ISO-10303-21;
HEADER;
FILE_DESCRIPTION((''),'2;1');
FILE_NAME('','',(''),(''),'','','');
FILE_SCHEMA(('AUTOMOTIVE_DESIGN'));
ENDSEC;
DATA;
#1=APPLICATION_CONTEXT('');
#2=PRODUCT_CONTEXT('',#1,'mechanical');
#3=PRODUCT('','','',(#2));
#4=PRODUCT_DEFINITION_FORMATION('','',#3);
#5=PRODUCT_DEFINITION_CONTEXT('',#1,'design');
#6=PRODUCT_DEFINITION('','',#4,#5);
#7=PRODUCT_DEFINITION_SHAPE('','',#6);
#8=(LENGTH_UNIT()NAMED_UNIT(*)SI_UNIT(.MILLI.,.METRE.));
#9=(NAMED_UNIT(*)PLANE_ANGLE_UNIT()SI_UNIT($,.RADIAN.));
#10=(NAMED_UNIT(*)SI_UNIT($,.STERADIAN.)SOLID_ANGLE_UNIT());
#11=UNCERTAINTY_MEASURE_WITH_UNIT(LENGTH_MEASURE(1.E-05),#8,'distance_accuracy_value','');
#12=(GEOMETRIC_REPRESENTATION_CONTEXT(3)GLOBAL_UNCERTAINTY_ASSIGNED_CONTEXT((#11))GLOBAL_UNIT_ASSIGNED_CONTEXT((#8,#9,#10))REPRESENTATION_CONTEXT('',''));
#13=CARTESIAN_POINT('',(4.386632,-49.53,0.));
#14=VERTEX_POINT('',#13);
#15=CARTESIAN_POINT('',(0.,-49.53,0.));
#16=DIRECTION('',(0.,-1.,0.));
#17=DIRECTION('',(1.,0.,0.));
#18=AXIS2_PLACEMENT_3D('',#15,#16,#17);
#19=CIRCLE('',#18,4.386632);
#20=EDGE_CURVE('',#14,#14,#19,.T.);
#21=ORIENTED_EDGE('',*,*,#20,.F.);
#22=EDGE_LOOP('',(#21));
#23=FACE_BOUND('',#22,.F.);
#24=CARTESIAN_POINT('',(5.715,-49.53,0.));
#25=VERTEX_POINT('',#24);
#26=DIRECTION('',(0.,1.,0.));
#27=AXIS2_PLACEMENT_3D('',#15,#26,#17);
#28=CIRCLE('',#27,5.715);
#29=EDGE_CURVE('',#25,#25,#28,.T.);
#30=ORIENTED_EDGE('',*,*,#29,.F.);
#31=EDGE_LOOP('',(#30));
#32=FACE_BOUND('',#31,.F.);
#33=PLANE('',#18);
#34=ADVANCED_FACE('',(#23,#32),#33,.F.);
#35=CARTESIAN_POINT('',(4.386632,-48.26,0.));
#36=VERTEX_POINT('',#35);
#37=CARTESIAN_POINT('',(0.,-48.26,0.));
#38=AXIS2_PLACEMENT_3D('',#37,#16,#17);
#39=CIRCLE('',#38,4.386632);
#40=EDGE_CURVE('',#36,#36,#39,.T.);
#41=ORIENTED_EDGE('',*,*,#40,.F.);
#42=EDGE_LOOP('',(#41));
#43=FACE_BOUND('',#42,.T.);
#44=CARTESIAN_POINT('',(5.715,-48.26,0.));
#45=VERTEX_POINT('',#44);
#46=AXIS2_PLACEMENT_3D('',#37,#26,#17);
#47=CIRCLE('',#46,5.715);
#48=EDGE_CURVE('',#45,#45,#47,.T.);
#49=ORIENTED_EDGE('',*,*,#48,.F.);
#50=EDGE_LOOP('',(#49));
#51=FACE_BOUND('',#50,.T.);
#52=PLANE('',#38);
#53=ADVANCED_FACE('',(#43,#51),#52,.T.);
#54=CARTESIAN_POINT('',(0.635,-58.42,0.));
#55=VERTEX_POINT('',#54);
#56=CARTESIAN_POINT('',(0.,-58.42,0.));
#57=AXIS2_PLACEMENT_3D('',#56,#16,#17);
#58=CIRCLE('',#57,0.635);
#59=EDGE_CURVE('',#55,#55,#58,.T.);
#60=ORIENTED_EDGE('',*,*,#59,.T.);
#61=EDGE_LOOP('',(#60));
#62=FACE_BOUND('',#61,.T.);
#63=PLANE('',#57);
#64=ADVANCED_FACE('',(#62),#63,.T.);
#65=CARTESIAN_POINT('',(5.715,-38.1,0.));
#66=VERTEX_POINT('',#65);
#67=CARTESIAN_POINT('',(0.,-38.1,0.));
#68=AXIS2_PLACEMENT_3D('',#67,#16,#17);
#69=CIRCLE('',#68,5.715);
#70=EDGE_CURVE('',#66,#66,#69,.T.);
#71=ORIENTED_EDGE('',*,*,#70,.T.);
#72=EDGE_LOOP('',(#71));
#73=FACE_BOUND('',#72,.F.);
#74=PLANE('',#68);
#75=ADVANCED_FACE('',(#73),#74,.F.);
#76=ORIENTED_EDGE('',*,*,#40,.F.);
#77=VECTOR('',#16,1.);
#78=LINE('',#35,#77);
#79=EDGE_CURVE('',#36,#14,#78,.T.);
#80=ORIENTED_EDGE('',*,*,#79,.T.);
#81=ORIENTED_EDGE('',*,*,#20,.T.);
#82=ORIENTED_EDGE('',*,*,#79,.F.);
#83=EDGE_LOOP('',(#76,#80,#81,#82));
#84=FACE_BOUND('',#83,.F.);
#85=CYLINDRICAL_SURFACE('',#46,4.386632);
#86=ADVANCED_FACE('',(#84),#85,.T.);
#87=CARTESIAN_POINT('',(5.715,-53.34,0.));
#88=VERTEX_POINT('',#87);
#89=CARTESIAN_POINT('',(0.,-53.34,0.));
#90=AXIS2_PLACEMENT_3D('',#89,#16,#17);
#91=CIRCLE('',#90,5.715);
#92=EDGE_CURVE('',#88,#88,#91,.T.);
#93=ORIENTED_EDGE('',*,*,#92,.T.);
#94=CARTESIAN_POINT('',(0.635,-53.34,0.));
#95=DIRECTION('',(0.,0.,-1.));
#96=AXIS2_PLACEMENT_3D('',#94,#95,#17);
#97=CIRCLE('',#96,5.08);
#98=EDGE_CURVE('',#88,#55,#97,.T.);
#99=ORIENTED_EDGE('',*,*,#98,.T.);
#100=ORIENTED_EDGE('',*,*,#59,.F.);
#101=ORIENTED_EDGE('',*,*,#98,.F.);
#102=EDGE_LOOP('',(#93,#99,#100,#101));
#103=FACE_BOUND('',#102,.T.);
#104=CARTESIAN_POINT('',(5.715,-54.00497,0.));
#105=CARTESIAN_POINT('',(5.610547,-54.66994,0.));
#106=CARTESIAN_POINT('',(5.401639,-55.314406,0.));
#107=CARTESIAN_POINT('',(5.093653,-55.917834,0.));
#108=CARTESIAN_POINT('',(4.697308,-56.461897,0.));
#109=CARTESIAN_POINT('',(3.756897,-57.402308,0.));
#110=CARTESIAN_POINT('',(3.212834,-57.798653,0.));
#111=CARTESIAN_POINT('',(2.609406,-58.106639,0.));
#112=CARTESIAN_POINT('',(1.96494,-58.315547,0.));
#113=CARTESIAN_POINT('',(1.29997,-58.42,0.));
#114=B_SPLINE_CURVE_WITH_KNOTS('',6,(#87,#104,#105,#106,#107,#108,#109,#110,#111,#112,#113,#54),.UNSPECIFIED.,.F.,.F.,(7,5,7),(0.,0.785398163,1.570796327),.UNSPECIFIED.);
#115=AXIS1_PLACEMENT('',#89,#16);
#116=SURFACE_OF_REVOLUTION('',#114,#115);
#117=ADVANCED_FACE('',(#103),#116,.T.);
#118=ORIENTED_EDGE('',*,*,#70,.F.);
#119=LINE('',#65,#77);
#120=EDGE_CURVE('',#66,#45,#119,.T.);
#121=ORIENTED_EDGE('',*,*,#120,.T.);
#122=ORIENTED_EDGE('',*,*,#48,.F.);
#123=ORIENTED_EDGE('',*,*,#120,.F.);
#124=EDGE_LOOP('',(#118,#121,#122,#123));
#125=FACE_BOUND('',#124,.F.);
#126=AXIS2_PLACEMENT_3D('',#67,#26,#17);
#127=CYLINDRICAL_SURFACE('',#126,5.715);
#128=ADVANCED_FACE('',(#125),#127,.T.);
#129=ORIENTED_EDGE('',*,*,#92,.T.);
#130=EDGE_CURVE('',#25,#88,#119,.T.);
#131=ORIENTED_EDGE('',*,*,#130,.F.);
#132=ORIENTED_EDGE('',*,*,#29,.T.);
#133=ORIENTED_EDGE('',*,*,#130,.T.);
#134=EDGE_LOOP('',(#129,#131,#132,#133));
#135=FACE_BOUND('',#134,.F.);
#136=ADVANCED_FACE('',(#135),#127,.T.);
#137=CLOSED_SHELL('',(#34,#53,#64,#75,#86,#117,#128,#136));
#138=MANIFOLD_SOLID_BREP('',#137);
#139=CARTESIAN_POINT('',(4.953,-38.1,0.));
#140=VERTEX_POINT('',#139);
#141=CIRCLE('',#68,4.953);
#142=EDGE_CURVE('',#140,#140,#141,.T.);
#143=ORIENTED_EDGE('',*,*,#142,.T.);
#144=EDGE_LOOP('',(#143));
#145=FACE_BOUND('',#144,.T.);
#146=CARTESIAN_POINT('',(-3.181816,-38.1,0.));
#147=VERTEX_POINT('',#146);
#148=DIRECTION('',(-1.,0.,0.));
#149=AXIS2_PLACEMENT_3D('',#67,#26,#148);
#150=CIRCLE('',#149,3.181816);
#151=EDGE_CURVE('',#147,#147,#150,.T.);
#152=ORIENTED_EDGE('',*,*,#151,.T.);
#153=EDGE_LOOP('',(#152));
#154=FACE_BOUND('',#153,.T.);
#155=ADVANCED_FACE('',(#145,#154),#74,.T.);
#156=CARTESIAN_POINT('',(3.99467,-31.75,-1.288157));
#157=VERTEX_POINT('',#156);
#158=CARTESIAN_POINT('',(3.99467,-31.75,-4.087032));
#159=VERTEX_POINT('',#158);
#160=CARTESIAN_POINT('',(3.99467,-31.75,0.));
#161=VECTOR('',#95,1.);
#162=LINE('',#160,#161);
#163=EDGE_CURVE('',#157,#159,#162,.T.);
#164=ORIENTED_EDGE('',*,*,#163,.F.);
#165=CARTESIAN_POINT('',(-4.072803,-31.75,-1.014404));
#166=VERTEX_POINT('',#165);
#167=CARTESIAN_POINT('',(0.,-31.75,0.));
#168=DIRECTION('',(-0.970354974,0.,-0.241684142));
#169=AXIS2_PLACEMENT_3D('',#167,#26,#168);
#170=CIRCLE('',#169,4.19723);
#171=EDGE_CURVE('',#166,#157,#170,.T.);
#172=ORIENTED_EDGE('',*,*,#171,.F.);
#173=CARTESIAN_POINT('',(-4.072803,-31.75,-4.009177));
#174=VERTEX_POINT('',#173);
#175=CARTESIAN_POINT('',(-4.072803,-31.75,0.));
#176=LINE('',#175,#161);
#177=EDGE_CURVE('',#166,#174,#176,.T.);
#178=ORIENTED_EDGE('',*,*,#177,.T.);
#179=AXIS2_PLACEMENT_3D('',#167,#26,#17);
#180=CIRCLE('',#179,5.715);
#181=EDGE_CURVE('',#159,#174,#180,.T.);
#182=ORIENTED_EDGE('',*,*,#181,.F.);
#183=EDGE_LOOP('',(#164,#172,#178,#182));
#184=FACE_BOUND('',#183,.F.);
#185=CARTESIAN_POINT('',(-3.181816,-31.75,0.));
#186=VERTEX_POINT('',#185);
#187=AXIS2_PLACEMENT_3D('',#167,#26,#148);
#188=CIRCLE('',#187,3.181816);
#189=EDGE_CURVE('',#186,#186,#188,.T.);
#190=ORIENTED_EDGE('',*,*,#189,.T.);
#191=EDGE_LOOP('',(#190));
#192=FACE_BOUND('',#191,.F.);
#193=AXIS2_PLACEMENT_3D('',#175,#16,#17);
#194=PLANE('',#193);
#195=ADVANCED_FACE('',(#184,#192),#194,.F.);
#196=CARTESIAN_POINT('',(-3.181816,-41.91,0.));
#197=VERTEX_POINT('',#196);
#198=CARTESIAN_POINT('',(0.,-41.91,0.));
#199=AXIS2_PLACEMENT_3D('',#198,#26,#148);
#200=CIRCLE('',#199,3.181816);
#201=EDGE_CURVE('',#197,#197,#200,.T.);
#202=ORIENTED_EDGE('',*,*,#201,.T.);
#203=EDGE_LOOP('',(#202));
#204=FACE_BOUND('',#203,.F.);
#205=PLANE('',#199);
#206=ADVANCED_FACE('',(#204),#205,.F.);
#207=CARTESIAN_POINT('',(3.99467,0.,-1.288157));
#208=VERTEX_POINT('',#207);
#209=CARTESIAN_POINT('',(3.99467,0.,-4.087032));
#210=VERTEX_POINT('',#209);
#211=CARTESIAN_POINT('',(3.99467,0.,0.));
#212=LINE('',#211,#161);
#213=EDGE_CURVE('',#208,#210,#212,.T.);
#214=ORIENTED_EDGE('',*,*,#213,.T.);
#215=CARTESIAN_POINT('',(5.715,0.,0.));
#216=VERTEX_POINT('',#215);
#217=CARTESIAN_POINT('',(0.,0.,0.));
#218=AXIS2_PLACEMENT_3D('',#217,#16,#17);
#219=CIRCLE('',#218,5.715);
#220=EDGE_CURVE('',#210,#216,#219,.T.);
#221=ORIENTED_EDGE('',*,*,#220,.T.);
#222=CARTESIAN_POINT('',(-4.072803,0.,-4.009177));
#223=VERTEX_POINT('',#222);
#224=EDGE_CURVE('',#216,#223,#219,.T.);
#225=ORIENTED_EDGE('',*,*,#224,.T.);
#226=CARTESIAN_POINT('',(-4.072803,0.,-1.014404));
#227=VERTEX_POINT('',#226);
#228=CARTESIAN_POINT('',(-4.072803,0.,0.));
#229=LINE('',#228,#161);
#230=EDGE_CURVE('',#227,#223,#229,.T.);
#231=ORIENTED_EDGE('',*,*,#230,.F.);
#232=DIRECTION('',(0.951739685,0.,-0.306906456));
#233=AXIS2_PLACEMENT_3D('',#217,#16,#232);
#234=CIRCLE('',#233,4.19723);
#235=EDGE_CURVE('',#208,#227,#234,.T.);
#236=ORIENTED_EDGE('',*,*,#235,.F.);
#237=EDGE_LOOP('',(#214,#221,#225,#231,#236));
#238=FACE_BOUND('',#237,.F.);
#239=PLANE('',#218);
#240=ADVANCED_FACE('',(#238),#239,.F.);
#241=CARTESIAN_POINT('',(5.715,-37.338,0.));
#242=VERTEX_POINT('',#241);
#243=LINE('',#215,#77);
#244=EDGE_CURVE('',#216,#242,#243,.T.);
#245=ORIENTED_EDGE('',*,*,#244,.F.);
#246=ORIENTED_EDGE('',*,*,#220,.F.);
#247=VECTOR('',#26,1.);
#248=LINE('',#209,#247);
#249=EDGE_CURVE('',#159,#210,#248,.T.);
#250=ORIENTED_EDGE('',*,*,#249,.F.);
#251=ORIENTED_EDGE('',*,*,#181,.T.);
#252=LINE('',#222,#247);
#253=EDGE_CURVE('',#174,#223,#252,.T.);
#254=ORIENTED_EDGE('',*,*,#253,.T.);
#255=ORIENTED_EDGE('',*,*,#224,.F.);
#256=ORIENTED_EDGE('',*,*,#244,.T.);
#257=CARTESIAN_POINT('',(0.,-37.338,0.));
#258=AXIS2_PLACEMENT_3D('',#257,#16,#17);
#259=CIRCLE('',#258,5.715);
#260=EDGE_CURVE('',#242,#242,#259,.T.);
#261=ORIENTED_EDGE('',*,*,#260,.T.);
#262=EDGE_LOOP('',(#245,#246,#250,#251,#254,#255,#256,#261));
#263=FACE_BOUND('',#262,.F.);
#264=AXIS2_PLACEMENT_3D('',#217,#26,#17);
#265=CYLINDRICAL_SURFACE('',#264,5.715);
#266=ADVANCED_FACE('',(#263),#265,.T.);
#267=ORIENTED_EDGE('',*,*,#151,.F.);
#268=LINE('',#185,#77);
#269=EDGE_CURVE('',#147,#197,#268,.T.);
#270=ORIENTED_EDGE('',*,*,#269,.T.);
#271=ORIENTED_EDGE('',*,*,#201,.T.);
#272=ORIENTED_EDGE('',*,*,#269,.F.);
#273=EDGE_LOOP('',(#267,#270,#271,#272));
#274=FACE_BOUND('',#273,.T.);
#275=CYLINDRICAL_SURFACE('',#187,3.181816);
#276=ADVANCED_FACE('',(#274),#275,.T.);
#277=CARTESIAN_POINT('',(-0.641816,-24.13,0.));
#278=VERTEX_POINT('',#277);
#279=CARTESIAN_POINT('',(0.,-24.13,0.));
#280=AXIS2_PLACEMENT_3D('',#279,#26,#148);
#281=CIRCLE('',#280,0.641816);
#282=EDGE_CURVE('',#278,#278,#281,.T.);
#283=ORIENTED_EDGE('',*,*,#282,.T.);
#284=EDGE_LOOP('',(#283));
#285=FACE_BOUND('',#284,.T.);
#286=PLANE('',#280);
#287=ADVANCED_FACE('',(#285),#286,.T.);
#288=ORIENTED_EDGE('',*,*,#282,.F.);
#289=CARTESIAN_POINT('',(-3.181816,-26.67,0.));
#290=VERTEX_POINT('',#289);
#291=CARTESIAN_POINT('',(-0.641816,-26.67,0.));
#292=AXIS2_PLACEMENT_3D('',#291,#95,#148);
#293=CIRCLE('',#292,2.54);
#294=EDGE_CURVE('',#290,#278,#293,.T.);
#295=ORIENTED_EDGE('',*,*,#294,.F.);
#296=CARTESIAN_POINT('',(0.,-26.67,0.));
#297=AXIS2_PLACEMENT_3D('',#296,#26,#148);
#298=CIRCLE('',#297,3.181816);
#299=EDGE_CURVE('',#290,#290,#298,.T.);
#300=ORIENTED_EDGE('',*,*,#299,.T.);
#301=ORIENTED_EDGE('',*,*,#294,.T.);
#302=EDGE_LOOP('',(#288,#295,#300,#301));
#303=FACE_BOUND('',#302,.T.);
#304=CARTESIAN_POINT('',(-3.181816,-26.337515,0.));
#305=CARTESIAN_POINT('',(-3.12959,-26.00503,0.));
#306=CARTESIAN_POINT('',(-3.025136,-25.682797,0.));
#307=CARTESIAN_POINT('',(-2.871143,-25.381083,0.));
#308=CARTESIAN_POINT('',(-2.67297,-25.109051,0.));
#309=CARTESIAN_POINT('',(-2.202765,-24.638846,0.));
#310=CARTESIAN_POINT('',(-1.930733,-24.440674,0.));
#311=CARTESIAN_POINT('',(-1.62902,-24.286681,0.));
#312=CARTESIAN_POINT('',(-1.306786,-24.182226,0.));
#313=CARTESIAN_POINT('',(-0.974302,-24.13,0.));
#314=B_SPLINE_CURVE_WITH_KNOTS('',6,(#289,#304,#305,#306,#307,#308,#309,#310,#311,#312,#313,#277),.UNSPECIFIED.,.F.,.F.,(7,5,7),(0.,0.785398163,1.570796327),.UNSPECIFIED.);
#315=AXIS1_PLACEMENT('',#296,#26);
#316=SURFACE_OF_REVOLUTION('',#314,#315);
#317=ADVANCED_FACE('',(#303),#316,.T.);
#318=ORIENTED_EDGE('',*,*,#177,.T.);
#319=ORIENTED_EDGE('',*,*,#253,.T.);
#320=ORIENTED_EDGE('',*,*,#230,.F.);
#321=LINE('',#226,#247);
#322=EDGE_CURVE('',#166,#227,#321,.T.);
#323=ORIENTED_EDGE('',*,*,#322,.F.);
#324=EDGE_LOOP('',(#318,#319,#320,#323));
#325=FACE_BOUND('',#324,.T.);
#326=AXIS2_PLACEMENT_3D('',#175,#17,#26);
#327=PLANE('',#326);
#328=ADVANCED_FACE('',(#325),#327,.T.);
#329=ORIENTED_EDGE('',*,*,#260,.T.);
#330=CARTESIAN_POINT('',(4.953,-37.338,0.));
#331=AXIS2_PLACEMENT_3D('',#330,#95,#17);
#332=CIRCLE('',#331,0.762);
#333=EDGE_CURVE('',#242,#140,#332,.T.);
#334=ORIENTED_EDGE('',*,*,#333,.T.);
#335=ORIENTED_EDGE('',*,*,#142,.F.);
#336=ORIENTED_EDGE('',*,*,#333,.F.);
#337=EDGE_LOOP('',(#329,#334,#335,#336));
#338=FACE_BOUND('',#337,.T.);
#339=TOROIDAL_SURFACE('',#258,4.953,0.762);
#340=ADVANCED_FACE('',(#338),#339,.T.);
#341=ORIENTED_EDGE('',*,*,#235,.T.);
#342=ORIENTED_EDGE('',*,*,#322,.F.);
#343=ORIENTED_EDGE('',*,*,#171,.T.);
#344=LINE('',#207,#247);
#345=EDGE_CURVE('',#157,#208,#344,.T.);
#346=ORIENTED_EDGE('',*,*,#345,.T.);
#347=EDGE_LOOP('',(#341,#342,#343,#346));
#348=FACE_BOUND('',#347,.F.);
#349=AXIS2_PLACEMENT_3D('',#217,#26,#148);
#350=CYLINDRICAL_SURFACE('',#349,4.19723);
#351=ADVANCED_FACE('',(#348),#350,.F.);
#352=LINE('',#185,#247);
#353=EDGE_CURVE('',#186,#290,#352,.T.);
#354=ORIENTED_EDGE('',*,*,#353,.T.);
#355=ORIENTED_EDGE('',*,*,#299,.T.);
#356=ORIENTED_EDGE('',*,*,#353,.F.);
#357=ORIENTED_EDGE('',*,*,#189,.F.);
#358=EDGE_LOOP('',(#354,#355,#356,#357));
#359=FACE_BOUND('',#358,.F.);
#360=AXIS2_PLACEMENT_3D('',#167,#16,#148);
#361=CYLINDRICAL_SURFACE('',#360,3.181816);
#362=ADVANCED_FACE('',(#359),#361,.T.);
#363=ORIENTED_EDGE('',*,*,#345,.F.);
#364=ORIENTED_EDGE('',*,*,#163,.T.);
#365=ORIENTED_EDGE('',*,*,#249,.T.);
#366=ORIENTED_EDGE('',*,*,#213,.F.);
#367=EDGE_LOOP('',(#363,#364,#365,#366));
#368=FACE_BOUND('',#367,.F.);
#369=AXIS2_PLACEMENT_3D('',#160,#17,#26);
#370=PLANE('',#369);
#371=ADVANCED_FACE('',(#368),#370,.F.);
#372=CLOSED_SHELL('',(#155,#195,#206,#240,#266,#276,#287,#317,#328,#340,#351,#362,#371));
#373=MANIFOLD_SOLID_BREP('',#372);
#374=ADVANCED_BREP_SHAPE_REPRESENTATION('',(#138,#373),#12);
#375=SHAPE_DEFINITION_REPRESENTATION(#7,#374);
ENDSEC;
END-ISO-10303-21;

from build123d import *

# Parameters (mm, degrees)
F0_R           = 5.715
F1_DEPTH       = 38.1
F2_R           = 5.715
F3_DEPTH       = 20.32
F4_R           = 0.762
F5_R           = 4.1972298984
F6_DEPTH       = 31.75
F7_W           = 8.0674731684
F7_H           = 31.75
F8_DEPTH       = 25.4
F9_R           = 3.1818163762
F10_DEPTH      = 7.62
F10_DEPTH_BACK = 10.16
F11_R          = 2.54
F12_R          = 5.08
F14_R          = 10.1897381857
F14_R_2        = 4.3866323881
F15_DEPTH      = 1.27


with BuildPart() as f1:
    # F0 (on Front) → F1 (new body)
    with BuildSketch(Plane.XZ):
        Circle(F0_R)
    extrude(amount=F1_DEPTH)

    # F4
    f4_edges = [f1.edges().sort_by_distance(p)[0] for p in [
        (-5.715, -38.1, 0),
    ]]
    fillet(f4_edges, radius=F4_R)

    # F5 (on face) → F6 (cut)
    with BuildSketch(Plane(origin=(0, 0, 0), x_dir=(-1, 0, 0), z_dir=(0, 1, 0))):
        Circle(F5_R)
    extrude(amount=-F6_DEPTH, mode=Mode.SUBTRACT)

    # F7 (on Top) → F8 (cut)
    with BuildSketch(Plane.XY):
        with Locations((-0.0390663249, -15.875)):
            Rectangle(F7_W, F7_H)
    extrude(amount=-F8_DEPTH, mode=Mode.SUBTRACT)

    # F9 (on face) → F10 (join, two sides)
    with BuildSketch(Plane(origin=(0, -31.75, 0), x_dir=(-1, 0, 0), z_dir=(0, 1, 0))) as f10_sk:
        Circle(F9_R)
    extrude(amount=F10_DEPTH)
    extrude(f10_sk.sketch, amount=-F10_DEPTH_BACK)

    # F11
    f11_edges = [f1.edges().sort_by_distance(p)[0] for p in [
        (3.181816, -24.13, 0),
    ]]
    fillet(f11_edges, radius=F11_R)


with BuildPart() as f3:
    # F2 (on face) → F3 (new body)
    with BuildSketch(Plane.XZ.offset(38.1)):
        Circle(F2_R)
    extrude(amount=F3_DEPTH)

    # F12
    f12_edges = [f3.edges().sort_by_distance(p)[0] for p in [
        (-5.715, -58.42, 0),
    ]]
    fillet(f12_edges, radius=F12_R)

    # F14 (on offset) → F15 (cut)
    with BuildSketch(Plane.XZ.offset(48.26)):
        Circle(F14_R)
        Circle(F14_R_2, mode=Mode.SUBTRACT)
    extrude(amount=F15_DEPTH, mode=Mode.SUBTRACT)


solid = Compound([f1.part, f3.part])
